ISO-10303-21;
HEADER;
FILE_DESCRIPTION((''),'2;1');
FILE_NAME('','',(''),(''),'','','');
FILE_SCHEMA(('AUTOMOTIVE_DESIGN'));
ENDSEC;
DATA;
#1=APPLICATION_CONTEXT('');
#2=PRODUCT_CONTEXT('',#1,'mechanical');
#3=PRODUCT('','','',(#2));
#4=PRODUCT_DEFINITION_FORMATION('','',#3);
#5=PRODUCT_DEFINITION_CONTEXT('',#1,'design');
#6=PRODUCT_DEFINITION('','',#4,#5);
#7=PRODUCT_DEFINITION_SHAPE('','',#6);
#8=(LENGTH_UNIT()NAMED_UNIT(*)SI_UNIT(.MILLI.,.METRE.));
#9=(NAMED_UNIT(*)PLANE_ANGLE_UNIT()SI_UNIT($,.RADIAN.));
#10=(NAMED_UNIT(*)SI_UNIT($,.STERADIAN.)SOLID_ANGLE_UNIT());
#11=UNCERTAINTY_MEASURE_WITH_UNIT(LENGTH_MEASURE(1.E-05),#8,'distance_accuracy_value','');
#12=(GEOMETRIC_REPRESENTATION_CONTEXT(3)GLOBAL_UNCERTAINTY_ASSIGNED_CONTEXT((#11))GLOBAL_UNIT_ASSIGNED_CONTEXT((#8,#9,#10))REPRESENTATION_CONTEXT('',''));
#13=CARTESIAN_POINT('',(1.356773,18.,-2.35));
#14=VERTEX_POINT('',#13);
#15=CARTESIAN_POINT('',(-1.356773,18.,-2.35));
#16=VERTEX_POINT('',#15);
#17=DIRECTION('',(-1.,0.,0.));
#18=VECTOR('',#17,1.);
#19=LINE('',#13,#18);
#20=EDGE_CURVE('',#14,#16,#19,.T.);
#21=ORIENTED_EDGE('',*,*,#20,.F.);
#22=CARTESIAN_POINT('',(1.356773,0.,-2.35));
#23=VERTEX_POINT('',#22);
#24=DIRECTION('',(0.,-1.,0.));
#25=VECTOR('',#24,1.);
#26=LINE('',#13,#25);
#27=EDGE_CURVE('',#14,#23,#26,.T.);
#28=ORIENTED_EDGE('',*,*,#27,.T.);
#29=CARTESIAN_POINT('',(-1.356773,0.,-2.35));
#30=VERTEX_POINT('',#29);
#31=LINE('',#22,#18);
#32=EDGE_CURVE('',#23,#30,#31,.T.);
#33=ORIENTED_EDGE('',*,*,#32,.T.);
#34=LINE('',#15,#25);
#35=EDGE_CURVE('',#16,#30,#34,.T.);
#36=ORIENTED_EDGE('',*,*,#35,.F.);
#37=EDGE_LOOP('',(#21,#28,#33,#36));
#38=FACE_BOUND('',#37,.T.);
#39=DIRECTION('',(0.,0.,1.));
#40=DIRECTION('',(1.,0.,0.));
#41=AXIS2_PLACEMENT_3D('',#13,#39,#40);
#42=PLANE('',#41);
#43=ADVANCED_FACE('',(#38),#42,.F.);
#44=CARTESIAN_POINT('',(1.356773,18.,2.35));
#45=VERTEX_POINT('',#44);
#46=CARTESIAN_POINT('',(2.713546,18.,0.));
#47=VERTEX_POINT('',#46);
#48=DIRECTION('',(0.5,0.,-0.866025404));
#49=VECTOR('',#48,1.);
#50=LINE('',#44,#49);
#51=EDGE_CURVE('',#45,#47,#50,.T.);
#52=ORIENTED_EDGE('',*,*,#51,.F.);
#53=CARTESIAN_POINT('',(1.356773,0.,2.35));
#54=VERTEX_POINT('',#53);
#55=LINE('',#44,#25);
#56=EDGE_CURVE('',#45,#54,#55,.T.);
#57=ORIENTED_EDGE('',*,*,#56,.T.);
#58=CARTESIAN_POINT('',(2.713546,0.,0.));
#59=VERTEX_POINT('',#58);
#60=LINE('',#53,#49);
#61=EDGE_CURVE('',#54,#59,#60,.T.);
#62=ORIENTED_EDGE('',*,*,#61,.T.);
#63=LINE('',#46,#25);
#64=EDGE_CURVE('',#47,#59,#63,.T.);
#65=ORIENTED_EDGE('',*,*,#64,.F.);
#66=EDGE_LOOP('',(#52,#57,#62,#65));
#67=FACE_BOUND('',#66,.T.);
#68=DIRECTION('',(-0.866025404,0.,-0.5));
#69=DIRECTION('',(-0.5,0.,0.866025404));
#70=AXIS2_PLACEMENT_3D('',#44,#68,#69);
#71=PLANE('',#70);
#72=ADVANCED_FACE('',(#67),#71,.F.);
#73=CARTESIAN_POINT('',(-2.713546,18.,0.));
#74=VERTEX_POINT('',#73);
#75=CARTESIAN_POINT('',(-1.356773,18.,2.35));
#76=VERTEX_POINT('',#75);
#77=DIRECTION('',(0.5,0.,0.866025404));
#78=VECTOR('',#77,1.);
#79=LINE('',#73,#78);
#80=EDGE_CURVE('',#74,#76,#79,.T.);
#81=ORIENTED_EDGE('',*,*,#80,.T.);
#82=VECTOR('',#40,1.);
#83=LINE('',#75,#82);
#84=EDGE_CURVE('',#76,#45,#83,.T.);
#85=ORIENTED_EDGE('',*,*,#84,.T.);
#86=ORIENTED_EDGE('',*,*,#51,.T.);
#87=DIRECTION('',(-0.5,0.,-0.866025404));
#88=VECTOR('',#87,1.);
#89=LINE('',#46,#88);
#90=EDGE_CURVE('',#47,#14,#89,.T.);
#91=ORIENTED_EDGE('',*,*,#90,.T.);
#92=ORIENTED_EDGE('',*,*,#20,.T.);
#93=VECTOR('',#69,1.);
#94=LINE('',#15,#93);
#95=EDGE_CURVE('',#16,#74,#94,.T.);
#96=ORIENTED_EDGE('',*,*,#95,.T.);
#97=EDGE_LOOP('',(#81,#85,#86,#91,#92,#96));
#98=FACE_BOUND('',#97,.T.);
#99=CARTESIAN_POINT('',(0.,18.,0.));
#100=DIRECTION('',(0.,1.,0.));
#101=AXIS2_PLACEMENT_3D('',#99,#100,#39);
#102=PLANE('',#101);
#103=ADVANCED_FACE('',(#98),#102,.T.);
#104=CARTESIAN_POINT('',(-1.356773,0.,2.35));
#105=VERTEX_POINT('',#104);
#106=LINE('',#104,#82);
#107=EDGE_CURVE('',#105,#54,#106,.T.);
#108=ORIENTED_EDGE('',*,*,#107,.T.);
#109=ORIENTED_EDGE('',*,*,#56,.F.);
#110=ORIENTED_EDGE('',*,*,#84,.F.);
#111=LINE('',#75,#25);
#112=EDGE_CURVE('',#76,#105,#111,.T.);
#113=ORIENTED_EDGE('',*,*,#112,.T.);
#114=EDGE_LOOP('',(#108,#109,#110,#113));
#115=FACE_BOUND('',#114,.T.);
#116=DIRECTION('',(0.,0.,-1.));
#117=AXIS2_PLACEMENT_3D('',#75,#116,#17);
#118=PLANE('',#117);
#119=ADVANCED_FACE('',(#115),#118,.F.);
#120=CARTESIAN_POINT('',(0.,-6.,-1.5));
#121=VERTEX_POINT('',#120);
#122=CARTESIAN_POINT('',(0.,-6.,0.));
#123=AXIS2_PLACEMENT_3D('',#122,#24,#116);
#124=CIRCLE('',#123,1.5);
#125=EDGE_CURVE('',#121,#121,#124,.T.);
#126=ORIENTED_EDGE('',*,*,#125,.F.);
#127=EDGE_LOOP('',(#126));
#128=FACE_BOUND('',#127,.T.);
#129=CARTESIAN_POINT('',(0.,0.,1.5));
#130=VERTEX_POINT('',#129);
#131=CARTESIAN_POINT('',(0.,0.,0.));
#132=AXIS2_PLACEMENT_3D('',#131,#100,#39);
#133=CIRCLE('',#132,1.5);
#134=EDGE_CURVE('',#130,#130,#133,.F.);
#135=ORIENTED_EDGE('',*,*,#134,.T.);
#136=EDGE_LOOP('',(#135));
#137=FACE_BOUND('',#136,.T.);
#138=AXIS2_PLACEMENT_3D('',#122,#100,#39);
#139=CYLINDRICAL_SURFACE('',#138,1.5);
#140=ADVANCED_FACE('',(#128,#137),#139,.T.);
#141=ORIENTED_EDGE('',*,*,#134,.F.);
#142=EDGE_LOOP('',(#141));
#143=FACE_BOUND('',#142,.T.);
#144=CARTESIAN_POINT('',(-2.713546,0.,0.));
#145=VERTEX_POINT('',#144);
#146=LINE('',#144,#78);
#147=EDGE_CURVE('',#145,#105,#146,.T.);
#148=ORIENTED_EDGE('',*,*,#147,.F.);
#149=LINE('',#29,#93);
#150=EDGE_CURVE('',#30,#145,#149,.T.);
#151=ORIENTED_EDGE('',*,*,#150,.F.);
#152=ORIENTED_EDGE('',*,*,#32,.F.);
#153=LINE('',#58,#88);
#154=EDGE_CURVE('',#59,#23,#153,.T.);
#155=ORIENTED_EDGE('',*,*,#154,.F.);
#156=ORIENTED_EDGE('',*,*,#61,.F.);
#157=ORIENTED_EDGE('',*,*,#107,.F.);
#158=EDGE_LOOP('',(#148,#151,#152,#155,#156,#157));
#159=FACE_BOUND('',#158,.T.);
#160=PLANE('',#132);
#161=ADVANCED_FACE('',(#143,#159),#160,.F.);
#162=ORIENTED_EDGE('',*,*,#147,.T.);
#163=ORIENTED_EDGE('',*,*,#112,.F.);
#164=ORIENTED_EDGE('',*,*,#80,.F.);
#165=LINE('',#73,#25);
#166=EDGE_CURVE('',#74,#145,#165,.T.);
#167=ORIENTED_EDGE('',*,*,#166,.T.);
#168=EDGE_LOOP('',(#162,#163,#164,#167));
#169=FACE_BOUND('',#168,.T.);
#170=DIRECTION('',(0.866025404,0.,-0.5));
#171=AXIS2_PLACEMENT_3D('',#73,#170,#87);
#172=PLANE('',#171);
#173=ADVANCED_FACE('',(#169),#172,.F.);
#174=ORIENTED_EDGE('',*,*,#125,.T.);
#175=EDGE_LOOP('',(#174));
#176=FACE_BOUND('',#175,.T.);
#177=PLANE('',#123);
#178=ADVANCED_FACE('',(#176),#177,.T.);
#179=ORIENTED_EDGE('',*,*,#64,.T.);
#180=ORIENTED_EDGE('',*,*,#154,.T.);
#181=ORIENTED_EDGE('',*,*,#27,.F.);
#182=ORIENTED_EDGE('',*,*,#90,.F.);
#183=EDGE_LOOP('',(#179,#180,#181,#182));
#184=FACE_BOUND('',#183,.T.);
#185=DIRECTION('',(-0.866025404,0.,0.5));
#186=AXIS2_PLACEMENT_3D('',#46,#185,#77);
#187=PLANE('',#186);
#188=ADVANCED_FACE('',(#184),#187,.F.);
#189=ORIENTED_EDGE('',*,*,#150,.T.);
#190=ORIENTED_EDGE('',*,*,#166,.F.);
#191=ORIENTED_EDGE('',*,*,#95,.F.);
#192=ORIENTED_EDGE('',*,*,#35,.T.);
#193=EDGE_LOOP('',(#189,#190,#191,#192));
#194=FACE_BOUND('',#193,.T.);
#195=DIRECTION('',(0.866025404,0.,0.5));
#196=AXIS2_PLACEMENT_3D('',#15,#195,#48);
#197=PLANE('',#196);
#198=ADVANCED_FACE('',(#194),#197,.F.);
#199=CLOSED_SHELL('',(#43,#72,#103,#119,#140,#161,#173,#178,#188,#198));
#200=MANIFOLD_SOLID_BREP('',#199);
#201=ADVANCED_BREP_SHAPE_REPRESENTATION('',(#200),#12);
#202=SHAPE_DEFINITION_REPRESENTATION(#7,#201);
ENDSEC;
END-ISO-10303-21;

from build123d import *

# Parameters (mm, degrees)
EXTRUDE_1_DEPTH = 18
SKETCH_2_R      = 1.5
EXTRUDE_2_DEPTH = 6


with BuildPart() as part:
    # 草图1 → 凸台-拉伸1 (new body)
    with BuildSketch(Plane(origin=(0, 0, 0), x_dir=(1, 0, 0), z_dir=(0, 1, 0))):
        Polygon((-1.356773133, 2.35), (-2.713546265, 0), (-1.356773133, -2.35), (1.356773133, -2.35), (2.713546265, 0), (1.356773133, 2.35), align=None)
    extrude(amount=EXTRUDE_1_DEPTH)

    # 草图2 → 凸台-拉伸2 (add)
    with BuildSketch(Plane.XZ):
        with Locations(Location((0, 0, 0), (0, 0, 90))):
            Circle(SKETCH_2_R)
    extrude(amount=EXTRUDE_2_DEPTH)


solid = part.part
